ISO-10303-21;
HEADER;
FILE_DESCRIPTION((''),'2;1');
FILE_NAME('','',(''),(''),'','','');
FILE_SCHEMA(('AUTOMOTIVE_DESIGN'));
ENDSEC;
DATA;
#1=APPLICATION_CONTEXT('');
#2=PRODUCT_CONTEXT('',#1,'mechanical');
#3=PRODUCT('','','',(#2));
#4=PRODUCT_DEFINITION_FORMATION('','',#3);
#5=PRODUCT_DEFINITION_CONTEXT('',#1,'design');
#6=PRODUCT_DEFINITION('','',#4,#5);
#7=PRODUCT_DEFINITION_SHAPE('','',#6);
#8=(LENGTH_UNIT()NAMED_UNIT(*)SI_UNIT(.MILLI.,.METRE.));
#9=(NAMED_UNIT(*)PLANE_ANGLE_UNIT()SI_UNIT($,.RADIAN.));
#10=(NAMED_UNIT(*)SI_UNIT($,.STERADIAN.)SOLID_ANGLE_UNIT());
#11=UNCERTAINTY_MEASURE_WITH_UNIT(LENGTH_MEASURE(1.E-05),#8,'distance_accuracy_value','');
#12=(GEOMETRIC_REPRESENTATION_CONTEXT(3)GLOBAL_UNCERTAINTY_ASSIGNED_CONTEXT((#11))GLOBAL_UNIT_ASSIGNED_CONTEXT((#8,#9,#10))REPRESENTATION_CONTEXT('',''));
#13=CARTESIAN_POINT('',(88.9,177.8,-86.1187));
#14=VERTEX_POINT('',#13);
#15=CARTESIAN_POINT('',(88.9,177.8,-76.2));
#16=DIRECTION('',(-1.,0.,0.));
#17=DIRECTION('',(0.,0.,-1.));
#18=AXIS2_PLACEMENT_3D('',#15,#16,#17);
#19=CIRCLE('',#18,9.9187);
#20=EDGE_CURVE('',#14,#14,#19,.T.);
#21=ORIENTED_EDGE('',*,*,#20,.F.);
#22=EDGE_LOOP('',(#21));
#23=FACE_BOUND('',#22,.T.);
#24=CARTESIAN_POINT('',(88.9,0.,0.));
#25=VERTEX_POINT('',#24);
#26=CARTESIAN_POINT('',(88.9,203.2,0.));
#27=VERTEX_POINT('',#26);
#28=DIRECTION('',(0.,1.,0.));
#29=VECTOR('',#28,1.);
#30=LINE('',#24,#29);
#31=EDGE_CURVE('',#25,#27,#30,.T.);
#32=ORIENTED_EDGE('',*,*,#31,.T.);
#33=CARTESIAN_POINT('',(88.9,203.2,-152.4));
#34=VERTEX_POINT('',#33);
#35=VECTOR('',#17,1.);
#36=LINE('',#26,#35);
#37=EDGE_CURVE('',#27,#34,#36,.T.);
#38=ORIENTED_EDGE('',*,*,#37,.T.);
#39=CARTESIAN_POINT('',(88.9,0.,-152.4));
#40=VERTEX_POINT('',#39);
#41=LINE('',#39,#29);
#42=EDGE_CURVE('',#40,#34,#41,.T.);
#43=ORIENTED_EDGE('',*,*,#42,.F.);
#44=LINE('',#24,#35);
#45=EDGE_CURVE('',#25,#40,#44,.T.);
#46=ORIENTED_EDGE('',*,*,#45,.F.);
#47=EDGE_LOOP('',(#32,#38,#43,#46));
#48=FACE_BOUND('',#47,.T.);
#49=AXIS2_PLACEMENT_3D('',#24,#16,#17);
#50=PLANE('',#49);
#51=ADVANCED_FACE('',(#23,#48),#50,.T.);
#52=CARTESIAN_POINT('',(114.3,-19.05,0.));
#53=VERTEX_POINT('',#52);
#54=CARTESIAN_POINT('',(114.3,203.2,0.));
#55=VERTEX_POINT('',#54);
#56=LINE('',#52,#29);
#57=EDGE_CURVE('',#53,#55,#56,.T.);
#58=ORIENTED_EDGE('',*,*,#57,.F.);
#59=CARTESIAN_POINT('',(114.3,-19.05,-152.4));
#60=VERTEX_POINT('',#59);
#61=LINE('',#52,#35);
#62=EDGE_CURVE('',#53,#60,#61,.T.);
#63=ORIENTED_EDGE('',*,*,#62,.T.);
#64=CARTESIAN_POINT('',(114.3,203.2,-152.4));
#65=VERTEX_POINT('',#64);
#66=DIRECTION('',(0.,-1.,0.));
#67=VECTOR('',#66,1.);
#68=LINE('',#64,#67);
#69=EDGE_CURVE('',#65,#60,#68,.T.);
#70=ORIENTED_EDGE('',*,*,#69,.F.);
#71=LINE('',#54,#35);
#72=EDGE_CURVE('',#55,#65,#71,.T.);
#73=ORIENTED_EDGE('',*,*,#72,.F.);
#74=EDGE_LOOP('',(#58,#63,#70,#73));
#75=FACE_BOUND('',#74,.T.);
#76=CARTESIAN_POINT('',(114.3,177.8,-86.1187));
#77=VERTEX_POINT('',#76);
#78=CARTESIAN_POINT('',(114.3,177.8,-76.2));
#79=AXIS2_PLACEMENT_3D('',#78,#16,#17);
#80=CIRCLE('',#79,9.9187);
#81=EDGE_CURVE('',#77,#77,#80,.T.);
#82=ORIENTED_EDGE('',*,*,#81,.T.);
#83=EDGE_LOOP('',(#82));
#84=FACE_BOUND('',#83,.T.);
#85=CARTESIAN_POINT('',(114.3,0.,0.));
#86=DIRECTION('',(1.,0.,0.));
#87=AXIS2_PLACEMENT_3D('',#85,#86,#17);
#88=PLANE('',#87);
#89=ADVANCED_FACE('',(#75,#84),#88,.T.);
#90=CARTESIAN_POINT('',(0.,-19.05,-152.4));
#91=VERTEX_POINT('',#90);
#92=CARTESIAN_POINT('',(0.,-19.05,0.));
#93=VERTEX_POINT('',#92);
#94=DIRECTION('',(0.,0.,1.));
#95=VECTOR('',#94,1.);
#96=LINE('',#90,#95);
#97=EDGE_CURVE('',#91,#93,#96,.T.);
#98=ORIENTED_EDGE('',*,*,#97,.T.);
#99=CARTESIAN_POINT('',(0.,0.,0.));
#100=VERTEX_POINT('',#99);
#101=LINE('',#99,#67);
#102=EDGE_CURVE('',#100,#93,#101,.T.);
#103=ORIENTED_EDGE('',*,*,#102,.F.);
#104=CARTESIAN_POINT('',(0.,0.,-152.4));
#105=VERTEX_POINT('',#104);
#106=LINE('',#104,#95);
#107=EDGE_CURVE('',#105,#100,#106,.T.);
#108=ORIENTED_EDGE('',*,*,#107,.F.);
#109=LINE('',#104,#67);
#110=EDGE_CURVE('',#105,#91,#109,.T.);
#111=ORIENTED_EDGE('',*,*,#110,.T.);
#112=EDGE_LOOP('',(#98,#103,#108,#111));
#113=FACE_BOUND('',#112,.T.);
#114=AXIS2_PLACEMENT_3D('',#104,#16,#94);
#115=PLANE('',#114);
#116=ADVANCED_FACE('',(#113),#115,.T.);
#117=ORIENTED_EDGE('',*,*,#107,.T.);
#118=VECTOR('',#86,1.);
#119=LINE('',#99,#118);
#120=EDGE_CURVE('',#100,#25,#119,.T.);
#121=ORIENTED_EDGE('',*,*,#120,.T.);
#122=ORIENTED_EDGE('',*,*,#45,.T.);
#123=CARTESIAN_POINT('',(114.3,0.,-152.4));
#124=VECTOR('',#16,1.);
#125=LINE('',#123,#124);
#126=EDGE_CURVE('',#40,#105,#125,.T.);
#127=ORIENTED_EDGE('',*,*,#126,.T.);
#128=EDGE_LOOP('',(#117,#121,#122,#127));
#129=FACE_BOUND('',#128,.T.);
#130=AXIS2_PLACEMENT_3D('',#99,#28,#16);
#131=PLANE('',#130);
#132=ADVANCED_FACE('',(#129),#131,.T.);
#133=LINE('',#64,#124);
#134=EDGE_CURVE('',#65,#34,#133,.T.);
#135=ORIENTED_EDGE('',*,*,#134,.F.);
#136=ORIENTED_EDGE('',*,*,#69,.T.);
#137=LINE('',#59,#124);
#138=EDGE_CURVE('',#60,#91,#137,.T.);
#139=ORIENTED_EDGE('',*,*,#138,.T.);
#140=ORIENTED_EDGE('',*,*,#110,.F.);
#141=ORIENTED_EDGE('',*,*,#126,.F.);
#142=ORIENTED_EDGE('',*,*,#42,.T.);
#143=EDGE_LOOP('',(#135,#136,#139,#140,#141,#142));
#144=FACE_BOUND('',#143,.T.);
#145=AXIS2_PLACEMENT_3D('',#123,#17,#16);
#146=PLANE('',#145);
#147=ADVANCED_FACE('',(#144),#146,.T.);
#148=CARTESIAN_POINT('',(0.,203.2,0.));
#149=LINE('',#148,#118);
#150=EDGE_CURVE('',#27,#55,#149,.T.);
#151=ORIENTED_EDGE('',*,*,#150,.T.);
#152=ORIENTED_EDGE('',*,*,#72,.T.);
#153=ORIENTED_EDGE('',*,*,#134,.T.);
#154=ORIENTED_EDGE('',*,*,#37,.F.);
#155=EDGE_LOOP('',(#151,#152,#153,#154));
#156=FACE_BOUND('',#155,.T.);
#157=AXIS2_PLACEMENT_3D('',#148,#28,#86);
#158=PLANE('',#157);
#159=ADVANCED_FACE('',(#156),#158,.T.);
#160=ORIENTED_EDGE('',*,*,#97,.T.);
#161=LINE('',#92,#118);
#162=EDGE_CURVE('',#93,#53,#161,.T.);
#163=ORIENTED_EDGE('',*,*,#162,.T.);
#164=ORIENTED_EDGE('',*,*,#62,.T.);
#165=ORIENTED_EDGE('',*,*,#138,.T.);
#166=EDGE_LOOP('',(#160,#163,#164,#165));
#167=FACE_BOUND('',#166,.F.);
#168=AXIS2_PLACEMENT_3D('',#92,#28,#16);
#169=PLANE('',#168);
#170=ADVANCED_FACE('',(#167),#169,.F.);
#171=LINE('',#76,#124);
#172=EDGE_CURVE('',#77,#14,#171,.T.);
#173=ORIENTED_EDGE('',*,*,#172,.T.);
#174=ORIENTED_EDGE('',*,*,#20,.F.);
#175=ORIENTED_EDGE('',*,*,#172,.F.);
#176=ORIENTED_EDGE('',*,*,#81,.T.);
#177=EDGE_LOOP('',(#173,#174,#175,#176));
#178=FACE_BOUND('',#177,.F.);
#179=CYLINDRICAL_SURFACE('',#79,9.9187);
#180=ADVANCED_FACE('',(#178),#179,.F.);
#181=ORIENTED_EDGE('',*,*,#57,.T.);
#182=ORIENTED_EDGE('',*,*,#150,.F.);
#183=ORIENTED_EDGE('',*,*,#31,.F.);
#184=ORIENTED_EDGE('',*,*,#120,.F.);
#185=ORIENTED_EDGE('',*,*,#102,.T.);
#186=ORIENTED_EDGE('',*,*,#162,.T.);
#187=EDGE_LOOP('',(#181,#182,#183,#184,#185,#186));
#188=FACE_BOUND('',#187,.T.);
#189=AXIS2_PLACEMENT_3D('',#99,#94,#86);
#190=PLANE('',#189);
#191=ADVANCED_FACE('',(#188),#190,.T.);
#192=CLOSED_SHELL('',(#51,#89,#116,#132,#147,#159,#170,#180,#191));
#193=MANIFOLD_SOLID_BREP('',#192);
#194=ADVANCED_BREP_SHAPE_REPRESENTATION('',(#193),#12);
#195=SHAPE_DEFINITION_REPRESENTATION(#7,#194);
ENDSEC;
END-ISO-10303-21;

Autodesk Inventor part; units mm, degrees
ref_plane "YZ Plane" through (0, 0, 0) normal (1, 0, 0) x (0, 1, 0)
ref_plane "XZ Plane" through (0, 0, 0) normal (0, 1, 0) x (-1, 0, 0)
ref_plane "XY Plane" through (0, 0, 0) normal (0, 0, 1) x (1, 0, 0)
sketch "Sketch2" plane through (0, 0, 0) normal (0, 1, 0) x (-1, 0, 0)
  line L0 (0, 0) -> (-114.3, 0)
  line L1 (-114.3, 0) -> (-114.3, -152.4)
  line L2 (-114.3, -152.4) -> (0, -152.4)
  line L3 (0, -152.4) -> (0, 0)
  dimension "d1" = 152.4
  dimension "d2" = 114.3
extrude "Extrusion1" add sketch "Sketch2" against normal blind 19.05
sketch "Sketch3" plane through (0, 0, 0) normal (0, 1, 0) x (1, 0, 0)
  line L0 (114.3, 0) -> (114.3, 152.4) projected
  line L1 (114.3, 152.4) -> (0, 152.4) projected
  line L2 (0, 0) -> (114.3, 0) projected
  line L3 (114.3, 152.4) -> (114.3, 0) projected
  line L4 (0, 152.4) -> (114.3, 152.4) projected
  line L5 (114.3, 0) -> (88.9, 0)
  line L6 (88.9, 0) -> (88.9, 152.4)
  line L7 (88.9, 152.4) -> (114.3, 152.4)
  line L8 (114.3, 152.4) -> (114.3, 0)
  point P0 (88.9, 0)
  dimension "d5" = 25.4
extrude "Extrusion2" add sketch "Sketch3" along normal blind 203.2
sketch "Sketch4" plane through (114.3, -19.05, 0) normal (1, 0, 0) x (0, 0, -1)
  line L0 (0, 222.25) -> (152.4, 222.25) construction
  line L1 (76.2, 222.25) -> (76.2, 0) construction
  line L2 (152.4, 0) -> (0, 0) construction
  point P0 (0, 19.05)
  point P1 (76.2, 196.85)
  dimension "d8" = 25.4
hole "Hole1" at (114.3, 177.8, -76.2) direction (-1, 0, 0) diameter 19.8374 end through all
properties part number "oneHalfForkSupport" material "Wood (Birch)"
